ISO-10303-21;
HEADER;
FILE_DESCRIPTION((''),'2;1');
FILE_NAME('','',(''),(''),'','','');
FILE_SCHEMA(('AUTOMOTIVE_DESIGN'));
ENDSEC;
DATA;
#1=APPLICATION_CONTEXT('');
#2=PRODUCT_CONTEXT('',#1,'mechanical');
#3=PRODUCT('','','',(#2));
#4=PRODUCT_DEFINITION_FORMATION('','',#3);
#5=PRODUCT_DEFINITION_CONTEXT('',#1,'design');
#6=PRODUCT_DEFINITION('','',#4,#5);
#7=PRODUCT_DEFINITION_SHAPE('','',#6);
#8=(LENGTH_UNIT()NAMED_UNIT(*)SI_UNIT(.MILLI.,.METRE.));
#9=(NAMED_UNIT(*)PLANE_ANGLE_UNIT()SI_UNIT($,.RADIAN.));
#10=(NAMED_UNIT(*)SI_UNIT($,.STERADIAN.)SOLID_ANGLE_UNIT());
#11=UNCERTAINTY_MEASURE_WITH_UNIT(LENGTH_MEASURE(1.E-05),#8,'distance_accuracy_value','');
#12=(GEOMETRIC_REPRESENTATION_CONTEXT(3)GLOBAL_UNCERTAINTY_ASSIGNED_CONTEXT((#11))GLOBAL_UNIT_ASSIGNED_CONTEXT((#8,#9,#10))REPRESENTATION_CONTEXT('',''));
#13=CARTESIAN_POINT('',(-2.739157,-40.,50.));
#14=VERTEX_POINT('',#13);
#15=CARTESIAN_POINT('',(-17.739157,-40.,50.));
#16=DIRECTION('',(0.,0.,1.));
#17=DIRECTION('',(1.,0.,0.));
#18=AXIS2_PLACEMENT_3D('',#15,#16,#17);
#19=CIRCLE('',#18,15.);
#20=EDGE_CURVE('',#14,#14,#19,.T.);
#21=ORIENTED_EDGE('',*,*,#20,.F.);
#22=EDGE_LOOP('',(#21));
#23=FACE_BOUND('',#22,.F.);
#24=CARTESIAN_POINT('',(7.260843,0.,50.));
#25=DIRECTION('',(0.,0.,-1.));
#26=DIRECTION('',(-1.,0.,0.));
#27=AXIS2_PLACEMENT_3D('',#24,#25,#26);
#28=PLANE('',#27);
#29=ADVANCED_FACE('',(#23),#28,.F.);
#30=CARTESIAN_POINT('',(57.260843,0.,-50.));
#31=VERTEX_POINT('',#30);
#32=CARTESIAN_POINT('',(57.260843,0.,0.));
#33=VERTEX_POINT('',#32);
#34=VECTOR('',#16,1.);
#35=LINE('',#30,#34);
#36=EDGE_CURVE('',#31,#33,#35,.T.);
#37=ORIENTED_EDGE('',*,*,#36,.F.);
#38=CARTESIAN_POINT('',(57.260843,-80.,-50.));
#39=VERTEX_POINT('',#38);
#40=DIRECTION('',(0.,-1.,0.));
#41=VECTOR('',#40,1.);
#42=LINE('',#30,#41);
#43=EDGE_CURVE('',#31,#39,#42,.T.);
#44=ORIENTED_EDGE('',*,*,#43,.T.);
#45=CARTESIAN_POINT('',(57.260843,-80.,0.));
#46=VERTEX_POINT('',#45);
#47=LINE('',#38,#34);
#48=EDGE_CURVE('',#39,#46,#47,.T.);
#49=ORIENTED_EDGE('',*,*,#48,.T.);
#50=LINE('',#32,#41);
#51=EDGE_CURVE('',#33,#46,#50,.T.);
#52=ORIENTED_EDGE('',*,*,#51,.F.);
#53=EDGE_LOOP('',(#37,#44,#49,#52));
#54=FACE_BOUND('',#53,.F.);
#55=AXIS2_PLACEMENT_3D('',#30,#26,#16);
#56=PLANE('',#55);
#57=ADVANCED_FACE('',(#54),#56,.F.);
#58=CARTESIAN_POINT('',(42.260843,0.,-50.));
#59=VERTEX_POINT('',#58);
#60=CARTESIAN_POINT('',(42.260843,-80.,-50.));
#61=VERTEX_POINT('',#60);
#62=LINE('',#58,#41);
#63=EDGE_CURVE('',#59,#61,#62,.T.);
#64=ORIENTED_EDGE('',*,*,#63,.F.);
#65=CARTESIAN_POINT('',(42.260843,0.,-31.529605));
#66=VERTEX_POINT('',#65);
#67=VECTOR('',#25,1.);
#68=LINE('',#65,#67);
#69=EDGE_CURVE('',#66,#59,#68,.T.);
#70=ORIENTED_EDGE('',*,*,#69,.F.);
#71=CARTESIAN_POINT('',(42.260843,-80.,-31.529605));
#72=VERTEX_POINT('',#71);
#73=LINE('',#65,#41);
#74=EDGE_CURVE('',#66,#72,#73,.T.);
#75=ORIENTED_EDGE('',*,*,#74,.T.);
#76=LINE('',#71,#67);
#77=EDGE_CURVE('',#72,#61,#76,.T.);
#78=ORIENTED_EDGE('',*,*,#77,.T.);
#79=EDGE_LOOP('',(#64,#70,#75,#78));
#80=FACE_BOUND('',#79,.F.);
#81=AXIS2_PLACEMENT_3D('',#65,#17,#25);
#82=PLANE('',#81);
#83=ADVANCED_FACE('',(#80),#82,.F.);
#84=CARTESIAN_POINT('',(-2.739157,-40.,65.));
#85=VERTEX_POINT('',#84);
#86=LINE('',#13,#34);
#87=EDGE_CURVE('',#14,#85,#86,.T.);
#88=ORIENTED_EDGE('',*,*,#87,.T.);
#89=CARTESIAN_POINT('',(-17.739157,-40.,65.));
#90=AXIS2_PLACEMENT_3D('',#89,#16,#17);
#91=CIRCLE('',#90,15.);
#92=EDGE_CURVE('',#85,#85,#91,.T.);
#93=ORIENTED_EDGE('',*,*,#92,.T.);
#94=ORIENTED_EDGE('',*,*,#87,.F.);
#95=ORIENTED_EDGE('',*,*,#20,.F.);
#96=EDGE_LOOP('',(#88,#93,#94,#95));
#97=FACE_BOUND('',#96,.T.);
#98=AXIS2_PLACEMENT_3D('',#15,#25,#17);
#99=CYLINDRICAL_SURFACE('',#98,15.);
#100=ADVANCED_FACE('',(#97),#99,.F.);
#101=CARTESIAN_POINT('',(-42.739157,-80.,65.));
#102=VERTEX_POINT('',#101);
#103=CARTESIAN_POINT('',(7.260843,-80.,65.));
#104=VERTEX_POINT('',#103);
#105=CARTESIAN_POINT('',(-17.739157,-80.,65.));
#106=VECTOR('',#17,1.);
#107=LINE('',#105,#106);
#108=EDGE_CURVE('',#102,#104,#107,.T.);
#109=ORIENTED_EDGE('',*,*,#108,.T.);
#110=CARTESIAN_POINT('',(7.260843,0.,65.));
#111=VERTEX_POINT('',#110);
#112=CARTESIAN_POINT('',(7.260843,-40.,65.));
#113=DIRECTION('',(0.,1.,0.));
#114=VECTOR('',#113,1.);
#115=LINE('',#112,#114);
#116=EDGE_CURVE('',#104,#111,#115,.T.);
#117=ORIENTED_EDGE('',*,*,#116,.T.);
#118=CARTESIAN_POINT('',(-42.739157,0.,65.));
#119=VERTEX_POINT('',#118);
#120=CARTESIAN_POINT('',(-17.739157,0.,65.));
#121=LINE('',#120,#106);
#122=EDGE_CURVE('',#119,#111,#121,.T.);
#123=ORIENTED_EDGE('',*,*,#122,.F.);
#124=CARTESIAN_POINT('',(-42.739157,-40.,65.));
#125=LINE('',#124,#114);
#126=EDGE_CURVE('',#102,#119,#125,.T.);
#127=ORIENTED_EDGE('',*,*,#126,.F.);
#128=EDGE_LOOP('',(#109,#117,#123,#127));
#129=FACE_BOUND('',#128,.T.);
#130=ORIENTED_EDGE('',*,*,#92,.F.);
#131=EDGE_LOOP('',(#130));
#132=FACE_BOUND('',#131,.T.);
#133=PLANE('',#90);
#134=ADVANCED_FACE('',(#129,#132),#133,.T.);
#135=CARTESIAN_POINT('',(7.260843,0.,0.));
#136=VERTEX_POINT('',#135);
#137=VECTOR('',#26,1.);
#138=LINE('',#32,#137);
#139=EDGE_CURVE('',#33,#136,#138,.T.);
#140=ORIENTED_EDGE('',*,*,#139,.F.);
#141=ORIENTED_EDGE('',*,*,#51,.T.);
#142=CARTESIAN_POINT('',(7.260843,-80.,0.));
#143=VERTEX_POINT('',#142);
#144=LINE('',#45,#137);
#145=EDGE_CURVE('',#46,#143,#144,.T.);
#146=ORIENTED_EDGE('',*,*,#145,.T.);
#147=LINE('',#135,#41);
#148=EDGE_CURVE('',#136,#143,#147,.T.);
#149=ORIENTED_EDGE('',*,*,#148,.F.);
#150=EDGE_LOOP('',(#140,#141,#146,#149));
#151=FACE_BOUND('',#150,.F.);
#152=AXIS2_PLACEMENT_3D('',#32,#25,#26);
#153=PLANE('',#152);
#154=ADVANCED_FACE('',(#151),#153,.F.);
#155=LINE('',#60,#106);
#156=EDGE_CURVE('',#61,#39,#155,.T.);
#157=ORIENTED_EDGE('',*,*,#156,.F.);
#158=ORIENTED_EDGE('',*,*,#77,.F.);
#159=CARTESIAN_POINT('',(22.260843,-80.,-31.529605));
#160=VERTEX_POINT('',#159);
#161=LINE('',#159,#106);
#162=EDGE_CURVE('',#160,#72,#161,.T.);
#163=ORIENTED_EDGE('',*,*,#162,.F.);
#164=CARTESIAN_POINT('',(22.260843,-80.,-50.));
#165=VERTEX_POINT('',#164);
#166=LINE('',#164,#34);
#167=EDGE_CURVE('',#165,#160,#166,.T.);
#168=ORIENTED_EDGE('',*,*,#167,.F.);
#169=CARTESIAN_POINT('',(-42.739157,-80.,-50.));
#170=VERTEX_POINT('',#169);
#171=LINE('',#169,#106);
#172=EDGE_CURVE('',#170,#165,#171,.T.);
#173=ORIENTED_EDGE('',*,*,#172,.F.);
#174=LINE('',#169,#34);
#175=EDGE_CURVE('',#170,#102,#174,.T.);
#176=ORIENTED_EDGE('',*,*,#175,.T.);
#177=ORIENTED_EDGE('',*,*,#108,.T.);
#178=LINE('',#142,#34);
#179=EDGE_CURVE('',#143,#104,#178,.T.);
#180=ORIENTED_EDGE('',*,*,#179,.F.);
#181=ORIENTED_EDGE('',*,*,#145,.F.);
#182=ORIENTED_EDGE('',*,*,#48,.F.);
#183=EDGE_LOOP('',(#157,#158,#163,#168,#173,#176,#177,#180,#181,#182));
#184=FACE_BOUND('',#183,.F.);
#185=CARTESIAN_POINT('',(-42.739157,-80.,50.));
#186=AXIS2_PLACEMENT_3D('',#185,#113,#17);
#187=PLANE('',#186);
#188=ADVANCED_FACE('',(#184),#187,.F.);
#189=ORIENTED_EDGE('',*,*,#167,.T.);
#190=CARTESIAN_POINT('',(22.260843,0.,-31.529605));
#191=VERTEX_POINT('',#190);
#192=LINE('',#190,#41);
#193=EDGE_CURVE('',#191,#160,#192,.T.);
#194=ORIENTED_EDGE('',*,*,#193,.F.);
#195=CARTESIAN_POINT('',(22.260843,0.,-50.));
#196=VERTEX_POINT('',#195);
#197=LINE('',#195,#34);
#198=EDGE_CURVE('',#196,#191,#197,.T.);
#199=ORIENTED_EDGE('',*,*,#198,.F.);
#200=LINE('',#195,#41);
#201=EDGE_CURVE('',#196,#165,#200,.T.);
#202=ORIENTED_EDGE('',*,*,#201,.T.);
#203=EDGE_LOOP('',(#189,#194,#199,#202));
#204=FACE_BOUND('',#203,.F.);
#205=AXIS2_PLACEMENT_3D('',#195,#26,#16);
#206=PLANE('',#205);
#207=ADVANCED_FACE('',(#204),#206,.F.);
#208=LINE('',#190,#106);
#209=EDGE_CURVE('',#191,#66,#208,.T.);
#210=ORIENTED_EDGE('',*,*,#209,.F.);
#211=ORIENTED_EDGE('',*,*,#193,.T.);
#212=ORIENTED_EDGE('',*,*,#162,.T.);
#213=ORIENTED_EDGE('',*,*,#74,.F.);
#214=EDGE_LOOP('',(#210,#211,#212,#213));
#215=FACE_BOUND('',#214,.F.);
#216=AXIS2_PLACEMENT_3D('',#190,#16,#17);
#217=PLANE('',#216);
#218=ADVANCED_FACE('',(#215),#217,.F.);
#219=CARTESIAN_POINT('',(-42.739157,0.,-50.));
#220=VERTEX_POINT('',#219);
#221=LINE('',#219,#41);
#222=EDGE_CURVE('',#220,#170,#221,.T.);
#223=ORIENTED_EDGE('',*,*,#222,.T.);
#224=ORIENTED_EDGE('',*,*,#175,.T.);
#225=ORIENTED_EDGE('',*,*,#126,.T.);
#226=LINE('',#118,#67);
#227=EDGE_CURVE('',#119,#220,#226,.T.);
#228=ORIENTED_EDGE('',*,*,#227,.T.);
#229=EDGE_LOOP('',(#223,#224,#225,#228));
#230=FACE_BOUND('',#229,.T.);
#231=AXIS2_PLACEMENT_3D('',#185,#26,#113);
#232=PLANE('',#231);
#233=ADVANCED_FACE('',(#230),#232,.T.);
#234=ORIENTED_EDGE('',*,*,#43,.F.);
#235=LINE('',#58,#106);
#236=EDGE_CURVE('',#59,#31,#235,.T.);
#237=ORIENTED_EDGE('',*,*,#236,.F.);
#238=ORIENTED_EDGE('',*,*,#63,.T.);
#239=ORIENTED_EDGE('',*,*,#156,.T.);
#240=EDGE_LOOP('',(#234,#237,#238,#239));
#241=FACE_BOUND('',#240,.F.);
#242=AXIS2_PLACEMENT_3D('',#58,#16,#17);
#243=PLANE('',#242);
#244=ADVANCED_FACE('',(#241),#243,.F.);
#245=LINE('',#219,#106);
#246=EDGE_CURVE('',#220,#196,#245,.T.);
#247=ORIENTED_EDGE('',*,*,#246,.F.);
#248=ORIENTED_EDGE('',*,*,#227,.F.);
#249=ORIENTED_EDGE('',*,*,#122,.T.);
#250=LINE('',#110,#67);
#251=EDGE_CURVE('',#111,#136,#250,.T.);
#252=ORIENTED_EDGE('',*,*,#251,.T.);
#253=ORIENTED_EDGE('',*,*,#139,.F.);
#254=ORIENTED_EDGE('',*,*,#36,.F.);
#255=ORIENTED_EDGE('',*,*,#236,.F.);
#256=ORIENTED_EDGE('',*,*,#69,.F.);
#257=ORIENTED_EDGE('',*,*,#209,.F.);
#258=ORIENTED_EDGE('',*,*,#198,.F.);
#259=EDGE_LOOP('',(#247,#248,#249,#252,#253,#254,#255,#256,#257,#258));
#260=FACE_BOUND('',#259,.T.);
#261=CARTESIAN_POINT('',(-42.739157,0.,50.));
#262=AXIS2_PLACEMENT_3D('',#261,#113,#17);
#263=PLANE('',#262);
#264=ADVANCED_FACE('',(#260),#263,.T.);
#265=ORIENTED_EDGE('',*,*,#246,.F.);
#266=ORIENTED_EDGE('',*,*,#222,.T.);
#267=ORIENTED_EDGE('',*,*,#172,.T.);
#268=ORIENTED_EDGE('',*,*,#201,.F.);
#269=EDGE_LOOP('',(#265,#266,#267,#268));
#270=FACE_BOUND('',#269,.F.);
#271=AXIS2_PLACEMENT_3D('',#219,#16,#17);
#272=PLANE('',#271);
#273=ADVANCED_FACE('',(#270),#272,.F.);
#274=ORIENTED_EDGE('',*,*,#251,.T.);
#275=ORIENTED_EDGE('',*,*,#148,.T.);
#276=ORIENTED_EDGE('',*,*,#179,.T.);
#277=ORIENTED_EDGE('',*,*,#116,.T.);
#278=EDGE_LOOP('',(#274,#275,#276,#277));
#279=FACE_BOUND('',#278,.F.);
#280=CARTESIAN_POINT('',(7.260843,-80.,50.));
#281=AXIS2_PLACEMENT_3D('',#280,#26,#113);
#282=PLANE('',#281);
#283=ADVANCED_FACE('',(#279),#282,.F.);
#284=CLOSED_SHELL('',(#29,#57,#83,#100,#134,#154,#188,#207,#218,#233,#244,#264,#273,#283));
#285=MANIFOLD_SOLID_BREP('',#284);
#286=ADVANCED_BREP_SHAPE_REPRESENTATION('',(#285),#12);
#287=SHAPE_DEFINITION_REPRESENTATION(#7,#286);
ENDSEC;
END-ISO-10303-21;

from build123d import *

# Parameters (mm, degrees)
F1_DEPTH = 80
F2_W     = 50
F2_H     = 80
F2_R     = 15
F3_DEPTH = 15


with BuildPart() as f1:
    # F0 (on Front) → F1 (new body)
    with BuildSketch(Plane.XZ):
        Polygon((7.260843, 50), (-42.739157, 50), (-42.739157, -50), (22.260843, -50), (22.260843, -31.529605), (42.260843, -31.529605), (42.260843, -50), (57.260843, -50), (57.260843, 0), (7.260843, 0), align=None)
    extrude(amount=F1_DEPTH)

    # F2 (on face) → F3 (join)
    with BuildSketch(Plane.XY.offset(50)):
        with Locations((-17.739157, -40)):
            Rectangle(F2_W, F2_H)
        with Locations((-17.739157, -40)):
            Circle(F2_R, mode=Mode.SUBTRACT)
    extrude(amount=F3_DEPTH)


solid = f1.part
